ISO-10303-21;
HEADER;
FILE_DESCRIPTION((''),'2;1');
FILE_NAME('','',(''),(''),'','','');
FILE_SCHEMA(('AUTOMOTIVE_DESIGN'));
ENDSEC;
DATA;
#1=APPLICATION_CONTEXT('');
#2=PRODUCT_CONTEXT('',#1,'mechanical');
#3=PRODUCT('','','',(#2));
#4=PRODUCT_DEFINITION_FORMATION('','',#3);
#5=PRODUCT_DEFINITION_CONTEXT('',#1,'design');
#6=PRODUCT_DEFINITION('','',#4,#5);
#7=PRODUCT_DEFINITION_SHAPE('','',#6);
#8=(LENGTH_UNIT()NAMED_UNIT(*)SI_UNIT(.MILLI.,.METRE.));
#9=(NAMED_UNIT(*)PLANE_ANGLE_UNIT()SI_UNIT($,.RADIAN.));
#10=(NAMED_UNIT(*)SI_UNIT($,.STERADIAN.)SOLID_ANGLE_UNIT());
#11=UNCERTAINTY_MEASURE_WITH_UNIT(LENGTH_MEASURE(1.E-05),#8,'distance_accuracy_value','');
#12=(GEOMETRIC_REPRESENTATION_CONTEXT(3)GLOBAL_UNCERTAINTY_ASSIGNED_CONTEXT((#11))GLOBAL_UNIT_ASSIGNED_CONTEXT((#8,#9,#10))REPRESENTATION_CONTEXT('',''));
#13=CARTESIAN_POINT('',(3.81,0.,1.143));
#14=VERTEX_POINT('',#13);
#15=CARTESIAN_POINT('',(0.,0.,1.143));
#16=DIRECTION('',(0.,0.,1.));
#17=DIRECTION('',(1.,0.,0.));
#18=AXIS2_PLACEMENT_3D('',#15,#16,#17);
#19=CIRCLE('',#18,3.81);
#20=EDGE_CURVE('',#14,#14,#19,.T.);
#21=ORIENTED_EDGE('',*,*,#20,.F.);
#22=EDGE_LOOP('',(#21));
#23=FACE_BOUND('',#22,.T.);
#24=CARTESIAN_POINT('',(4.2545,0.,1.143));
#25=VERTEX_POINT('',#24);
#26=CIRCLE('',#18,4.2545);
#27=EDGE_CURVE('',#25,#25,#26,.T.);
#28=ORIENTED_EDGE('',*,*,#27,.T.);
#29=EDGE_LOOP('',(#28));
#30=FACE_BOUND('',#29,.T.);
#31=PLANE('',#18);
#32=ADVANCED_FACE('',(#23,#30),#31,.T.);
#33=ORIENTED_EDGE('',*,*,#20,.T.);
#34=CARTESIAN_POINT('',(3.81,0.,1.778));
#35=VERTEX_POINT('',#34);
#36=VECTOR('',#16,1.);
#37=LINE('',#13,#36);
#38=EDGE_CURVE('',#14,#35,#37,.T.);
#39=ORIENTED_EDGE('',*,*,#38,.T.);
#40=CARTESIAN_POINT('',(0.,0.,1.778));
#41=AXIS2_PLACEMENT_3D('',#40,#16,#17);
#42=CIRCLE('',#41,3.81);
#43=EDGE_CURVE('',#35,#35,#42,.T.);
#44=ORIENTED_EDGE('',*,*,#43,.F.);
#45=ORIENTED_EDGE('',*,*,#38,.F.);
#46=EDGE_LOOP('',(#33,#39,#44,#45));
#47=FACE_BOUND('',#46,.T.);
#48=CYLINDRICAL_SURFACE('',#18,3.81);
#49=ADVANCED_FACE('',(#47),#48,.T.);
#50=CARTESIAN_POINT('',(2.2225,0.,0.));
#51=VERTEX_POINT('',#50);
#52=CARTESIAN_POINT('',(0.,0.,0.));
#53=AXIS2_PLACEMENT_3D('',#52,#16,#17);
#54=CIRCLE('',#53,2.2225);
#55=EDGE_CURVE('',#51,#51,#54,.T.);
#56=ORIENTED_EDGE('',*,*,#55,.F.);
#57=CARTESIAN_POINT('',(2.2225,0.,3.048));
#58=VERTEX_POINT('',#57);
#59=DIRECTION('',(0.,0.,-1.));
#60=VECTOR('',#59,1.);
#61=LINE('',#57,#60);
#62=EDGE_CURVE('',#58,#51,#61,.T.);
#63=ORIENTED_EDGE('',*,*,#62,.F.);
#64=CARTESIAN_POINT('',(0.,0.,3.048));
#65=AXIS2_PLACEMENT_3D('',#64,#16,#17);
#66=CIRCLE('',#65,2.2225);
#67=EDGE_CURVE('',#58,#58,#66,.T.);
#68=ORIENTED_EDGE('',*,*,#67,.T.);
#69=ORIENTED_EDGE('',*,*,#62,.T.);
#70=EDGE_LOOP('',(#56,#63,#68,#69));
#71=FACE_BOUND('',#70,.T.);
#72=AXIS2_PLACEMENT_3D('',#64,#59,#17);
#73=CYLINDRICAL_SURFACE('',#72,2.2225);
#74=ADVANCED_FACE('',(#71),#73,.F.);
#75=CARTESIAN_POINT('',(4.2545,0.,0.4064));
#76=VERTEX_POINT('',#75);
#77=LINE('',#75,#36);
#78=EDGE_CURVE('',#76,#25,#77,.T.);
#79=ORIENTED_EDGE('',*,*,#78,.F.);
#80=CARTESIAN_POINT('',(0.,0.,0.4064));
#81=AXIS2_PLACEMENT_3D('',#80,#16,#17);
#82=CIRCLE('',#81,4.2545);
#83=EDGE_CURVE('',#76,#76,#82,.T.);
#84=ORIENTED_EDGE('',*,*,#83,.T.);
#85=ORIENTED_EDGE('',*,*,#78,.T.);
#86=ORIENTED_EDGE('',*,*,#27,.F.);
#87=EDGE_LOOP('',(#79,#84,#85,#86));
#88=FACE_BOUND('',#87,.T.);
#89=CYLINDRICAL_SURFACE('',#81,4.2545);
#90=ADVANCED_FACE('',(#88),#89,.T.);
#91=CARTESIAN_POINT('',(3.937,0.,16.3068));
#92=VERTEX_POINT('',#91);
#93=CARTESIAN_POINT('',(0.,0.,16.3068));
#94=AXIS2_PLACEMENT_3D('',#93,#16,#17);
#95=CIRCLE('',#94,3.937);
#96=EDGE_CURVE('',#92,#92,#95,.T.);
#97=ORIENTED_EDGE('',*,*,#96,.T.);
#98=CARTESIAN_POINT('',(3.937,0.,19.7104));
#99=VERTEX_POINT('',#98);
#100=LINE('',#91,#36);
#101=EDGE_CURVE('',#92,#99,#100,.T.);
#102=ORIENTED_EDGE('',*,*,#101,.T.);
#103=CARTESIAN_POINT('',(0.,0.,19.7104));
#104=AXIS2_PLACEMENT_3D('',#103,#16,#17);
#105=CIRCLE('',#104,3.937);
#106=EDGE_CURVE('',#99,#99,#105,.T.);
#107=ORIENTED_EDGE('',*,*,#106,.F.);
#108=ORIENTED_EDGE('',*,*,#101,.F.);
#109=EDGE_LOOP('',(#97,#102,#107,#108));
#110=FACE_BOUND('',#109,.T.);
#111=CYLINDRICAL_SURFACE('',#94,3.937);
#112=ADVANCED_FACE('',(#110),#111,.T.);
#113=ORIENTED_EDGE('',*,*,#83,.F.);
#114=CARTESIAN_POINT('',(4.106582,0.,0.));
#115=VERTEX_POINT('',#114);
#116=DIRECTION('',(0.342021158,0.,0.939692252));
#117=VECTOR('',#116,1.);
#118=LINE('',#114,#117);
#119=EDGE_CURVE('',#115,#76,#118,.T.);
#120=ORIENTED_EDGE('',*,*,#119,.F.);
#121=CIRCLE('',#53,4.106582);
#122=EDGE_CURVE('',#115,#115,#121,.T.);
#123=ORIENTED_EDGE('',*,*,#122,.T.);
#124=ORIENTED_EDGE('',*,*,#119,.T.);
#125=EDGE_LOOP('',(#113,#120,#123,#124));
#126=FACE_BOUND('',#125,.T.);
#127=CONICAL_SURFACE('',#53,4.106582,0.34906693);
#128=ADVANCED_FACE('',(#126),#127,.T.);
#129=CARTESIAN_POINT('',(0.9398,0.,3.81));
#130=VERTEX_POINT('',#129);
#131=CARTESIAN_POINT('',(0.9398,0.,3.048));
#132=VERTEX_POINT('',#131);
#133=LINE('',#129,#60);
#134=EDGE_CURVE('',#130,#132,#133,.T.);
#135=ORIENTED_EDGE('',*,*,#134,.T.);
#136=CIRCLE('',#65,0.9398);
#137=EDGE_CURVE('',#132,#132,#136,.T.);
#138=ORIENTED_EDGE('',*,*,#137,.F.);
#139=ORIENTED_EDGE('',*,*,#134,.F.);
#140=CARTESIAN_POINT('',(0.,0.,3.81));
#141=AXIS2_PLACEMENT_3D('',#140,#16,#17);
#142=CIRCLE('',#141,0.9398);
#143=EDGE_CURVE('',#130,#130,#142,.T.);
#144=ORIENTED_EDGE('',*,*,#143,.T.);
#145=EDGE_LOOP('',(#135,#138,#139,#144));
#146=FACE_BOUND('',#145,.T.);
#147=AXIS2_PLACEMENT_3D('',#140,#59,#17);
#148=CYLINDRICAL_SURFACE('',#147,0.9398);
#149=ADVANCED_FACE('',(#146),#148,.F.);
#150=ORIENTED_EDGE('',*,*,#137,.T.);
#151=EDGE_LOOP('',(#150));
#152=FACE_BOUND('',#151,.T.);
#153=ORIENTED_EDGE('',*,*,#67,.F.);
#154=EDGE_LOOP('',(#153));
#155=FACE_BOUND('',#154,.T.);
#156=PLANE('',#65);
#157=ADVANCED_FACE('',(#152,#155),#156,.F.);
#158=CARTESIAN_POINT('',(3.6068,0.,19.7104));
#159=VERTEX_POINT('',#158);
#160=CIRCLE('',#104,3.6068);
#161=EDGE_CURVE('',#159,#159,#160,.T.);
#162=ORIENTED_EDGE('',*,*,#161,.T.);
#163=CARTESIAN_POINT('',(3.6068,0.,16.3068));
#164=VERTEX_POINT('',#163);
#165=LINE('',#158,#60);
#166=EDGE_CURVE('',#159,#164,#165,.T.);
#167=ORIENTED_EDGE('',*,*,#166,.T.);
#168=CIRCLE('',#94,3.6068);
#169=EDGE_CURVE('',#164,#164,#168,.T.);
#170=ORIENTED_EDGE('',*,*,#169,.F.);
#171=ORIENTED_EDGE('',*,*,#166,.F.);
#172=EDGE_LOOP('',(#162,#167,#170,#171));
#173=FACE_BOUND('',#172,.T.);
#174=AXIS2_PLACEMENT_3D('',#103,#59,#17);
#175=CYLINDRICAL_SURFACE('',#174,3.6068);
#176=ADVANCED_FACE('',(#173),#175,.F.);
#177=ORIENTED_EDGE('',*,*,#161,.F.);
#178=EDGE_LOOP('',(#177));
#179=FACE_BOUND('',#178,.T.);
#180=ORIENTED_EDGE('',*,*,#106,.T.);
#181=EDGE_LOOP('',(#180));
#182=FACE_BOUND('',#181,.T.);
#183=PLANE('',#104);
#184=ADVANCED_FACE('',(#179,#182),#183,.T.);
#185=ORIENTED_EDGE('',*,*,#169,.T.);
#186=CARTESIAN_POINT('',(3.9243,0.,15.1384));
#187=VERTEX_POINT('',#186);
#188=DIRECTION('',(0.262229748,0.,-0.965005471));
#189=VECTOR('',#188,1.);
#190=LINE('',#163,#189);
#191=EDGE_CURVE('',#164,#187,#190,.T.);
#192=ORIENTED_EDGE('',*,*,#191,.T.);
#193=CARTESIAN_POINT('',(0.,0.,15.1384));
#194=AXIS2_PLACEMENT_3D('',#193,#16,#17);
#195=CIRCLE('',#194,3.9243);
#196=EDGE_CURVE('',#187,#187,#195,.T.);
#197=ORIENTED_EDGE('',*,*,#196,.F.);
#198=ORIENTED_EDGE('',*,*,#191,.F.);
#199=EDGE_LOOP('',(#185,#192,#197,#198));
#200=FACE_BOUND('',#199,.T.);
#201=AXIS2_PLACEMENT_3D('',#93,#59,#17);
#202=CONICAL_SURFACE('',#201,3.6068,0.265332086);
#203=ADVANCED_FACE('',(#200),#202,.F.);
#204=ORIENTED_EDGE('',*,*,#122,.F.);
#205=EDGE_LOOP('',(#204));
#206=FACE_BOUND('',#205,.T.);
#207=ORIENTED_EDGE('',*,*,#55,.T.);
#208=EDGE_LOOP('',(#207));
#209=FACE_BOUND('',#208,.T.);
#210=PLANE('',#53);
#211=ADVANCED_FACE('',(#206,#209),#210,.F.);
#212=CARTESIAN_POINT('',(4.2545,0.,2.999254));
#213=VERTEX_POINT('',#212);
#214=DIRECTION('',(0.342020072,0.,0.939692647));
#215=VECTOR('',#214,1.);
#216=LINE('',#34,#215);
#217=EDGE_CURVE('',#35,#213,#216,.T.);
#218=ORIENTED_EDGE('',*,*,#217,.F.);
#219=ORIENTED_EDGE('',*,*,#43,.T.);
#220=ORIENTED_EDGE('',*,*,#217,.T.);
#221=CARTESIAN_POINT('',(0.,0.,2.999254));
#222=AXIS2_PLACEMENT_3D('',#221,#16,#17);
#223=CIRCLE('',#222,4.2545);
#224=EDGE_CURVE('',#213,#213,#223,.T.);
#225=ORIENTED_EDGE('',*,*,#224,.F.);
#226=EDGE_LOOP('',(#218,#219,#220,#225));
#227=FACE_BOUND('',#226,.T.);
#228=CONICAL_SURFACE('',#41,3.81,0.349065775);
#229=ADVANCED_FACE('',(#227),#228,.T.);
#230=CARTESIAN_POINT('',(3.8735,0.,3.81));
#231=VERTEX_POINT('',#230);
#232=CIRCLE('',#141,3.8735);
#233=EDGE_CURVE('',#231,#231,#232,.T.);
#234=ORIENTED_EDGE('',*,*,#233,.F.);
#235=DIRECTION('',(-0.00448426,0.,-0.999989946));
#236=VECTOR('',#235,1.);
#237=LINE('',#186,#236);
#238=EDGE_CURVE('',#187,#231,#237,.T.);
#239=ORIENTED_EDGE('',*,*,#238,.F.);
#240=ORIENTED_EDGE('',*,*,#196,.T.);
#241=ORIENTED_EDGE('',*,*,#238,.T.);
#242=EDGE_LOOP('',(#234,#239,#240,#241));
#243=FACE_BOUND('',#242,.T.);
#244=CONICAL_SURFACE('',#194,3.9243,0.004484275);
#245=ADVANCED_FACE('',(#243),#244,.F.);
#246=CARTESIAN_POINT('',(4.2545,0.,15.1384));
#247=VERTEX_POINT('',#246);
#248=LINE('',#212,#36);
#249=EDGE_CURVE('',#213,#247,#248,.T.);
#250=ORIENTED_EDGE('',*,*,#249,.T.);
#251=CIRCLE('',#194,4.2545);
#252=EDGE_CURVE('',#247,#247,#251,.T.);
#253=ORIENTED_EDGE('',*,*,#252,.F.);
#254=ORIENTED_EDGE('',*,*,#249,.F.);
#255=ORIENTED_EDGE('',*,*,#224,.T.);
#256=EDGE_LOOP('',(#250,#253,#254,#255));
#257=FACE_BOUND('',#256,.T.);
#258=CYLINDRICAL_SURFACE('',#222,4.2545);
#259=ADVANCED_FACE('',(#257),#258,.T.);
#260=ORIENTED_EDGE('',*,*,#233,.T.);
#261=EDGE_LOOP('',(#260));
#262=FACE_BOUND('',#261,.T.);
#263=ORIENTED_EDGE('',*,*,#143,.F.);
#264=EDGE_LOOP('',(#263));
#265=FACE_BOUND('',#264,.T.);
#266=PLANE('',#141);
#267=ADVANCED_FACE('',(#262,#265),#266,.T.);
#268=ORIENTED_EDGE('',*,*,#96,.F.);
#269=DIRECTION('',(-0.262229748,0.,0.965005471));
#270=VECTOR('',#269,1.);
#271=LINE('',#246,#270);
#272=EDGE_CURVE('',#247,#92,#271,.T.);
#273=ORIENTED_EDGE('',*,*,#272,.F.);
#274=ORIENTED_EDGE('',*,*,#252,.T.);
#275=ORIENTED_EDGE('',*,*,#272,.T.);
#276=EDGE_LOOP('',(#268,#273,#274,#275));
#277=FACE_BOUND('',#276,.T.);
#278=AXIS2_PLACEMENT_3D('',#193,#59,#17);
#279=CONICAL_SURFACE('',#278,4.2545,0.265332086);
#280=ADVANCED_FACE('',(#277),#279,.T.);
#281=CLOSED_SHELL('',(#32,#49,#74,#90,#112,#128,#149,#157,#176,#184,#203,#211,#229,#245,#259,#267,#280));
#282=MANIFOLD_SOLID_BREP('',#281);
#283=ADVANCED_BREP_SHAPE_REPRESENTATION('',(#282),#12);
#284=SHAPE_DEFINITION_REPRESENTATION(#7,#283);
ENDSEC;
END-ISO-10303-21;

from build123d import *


with BuildPart() as f1:
    # F0 (on Front) → F1 (revolve)
    with BuildSketch(Plane.XZ):
        Polygon((2.2225, 3.048), (2.2225, 0), (4.106582, 0), (4.2545, 0.4064), (4.2545, 1.143), (3.81, 1.143), (3.81, 1.778), (4.2545, 2.999254), (4.2545, 15.1384), (3.937, 16.3068), (3.937, 19.7104), (3.6068, 19.7104), (3.6068, 16.3068), (3.9243, 15.1384), (3.8735, 3.81), (0.9398, 3.81), (0.9398, 3.048), align=None)
    revolve(axis=Axis((0, 0, 11.499301), (0, 0, 1)))


with BuildPart() as f2_1:
    # F2: copy of F1
    add(f1.part)


solid = f1.part
